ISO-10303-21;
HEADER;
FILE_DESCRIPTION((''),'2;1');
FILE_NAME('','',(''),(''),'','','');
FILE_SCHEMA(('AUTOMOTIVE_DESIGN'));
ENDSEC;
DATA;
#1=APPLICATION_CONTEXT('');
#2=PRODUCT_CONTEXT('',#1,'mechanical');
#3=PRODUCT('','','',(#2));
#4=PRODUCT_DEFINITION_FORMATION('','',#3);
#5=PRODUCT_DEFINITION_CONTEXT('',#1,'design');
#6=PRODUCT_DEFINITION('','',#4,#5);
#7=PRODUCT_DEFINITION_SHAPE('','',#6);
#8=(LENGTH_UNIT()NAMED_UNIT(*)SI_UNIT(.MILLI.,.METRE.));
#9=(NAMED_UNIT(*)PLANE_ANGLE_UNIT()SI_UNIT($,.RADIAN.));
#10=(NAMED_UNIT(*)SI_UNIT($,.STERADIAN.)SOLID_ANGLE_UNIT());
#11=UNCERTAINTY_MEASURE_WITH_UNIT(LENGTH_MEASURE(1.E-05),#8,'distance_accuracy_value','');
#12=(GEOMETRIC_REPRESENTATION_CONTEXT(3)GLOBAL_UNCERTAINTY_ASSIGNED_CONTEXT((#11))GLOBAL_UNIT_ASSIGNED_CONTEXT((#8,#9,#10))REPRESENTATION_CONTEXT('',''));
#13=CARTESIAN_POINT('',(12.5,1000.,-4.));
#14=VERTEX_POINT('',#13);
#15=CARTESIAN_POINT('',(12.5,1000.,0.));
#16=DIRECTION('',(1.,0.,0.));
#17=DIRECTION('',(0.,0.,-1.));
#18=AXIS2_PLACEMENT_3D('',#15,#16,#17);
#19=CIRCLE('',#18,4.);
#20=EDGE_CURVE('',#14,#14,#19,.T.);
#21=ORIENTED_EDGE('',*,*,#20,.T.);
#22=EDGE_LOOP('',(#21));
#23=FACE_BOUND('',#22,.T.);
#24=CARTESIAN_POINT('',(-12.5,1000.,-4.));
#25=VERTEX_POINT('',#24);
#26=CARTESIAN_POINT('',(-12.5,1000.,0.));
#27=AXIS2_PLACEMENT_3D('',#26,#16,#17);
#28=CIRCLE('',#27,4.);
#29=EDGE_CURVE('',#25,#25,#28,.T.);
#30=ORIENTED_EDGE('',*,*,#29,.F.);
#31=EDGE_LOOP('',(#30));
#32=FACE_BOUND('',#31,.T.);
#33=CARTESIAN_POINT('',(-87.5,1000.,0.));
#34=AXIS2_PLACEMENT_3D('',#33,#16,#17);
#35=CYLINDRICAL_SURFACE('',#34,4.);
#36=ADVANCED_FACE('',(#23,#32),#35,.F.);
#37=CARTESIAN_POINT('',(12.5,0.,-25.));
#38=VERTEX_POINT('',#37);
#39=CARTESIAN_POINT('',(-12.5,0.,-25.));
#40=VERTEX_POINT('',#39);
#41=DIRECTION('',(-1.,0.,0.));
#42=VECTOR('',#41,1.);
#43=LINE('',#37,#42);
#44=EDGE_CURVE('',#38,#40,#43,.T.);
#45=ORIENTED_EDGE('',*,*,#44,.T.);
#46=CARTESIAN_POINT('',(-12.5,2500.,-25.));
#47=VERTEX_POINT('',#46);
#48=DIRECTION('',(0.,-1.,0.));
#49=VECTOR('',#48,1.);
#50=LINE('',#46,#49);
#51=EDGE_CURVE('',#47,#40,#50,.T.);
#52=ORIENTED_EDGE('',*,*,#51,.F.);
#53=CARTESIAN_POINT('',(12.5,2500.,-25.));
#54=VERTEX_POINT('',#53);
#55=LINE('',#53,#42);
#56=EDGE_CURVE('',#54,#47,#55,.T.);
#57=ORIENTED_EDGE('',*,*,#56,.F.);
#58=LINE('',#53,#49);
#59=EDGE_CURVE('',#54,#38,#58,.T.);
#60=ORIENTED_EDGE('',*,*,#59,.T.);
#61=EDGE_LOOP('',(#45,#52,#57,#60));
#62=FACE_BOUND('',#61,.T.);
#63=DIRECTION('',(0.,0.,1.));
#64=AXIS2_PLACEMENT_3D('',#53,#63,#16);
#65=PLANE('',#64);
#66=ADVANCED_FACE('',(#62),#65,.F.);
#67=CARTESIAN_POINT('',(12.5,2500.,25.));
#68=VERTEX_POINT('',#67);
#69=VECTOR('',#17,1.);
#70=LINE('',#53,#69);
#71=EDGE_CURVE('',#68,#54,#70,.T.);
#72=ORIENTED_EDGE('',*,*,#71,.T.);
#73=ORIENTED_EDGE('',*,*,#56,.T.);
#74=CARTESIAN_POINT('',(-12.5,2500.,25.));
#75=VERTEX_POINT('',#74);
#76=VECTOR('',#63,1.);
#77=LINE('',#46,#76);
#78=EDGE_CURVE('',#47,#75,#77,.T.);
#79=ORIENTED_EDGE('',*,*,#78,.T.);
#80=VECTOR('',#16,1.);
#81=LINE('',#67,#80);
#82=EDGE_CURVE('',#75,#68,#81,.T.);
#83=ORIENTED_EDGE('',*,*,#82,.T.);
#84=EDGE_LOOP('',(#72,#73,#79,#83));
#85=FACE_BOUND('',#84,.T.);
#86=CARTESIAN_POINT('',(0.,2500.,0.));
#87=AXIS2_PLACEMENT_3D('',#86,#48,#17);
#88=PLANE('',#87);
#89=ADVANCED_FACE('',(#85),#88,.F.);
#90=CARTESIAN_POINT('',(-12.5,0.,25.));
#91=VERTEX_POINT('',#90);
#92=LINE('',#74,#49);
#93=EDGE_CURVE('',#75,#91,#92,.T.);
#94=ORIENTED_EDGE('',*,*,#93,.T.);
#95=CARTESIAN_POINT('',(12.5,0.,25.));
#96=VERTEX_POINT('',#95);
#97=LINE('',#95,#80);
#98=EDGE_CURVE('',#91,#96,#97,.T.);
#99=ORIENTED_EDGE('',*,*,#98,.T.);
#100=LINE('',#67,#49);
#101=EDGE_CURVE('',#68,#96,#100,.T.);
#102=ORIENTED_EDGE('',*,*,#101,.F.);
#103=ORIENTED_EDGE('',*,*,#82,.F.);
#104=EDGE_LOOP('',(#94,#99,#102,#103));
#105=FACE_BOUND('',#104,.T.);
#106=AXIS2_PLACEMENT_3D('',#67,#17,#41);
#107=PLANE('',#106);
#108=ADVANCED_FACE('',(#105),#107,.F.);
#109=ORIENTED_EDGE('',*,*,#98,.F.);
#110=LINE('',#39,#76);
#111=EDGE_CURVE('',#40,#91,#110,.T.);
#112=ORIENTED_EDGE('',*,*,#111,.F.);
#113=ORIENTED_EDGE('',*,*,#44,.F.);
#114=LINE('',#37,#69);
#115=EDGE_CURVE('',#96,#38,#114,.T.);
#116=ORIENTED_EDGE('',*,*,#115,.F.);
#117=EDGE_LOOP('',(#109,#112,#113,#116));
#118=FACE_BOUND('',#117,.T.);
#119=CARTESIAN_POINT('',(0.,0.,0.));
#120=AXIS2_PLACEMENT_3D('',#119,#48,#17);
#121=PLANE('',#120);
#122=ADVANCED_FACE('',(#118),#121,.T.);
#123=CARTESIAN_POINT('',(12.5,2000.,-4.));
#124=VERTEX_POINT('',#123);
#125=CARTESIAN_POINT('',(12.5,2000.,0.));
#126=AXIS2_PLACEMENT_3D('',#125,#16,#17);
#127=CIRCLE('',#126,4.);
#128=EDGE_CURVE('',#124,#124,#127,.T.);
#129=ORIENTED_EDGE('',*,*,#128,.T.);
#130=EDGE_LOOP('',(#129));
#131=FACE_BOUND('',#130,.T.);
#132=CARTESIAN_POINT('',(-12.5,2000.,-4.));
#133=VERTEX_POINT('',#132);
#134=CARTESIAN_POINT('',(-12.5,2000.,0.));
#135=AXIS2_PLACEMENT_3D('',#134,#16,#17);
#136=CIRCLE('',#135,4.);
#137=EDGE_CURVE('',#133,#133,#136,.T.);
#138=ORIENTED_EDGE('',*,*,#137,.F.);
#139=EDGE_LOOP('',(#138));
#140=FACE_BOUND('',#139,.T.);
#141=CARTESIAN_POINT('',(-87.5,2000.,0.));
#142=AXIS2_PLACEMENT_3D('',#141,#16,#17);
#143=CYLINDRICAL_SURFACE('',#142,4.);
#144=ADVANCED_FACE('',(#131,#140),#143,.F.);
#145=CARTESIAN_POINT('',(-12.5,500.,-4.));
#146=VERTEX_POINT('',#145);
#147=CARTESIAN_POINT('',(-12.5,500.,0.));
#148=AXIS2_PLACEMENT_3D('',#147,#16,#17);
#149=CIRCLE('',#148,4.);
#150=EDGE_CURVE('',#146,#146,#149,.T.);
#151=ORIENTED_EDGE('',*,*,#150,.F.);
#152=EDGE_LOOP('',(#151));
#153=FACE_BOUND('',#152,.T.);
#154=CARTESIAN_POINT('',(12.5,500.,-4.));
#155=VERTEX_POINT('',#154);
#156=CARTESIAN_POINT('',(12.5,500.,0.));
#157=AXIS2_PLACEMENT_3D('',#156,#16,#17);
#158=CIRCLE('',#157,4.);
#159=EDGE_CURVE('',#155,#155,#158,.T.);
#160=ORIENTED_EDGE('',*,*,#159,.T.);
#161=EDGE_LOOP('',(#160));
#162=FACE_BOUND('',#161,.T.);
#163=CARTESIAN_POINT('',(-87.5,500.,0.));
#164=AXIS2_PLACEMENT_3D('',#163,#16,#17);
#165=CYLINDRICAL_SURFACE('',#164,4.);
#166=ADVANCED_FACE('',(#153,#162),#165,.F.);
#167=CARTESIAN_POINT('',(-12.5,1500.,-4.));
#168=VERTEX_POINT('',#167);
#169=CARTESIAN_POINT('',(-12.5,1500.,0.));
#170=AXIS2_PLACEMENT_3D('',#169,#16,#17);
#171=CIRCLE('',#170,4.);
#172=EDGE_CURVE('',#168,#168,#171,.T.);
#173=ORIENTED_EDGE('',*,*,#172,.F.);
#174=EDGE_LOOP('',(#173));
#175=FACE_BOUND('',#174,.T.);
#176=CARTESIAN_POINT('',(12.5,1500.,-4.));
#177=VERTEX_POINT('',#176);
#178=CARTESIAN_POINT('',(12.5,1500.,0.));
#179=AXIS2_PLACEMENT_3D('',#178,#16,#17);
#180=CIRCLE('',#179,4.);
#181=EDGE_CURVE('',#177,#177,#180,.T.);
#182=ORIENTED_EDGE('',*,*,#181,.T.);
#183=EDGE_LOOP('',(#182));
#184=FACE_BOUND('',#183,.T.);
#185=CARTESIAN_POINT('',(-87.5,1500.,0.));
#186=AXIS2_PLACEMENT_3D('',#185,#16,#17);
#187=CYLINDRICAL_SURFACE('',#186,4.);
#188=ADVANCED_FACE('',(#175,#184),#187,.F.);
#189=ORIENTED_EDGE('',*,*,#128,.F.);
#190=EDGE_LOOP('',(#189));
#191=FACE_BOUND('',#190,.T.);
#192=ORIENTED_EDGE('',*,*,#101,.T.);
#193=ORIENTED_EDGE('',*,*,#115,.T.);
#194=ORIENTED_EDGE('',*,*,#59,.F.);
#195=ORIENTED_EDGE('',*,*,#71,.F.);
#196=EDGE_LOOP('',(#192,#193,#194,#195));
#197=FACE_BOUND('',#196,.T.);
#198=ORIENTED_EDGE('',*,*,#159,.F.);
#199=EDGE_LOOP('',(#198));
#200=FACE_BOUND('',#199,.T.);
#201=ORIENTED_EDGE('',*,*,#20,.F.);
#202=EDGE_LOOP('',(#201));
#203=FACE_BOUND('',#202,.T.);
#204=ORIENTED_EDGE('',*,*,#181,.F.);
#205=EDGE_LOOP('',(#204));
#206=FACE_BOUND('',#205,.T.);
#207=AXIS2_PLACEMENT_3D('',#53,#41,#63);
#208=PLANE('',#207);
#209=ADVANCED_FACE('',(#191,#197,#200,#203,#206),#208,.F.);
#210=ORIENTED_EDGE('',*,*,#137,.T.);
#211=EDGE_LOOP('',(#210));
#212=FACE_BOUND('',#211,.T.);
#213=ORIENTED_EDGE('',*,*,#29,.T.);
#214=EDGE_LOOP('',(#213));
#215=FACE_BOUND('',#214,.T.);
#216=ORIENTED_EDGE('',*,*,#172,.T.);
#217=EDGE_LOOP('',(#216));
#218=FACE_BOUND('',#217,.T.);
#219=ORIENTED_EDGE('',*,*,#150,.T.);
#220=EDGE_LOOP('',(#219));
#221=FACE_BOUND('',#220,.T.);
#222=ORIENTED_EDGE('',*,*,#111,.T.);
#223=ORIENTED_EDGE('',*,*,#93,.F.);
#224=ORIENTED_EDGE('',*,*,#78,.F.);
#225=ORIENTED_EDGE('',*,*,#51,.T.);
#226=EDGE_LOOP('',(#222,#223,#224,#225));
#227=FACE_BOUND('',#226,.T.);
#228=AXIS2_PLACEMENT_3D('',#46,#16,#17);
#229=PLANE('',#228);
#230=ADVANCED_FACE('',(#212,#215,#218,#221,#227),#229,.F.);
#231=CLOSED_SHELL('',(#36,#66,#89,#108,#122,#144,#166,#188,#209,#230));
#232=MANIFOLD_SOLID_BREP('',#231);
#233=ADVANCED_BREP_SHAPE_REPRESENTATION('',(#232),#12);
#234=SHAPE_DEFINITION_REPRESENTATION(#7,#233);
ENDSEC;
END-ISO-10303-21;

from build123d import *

# Parameters (mm, degrees)
SKETCH_1_W          = 25
SKETCH_1_H          = 50
EXTRUDE_1_DEPTH     = 2500
SKETCH_2_R          = 4
CUT_EXTRUDE_1_DEPTH = 100


with BuildPart() as part:
    # Эскиз1 → Бобышка-Вытянуть1 (new body)
    with BuildSketch(Plane(origin=(0, 0, 0), x_dir=(1, 0, 0), z_dir=(0, 1, 0))):
        Rectangle(SKETCH_1_W, SKETCH_1_H)
    extrude(amount=EXTRUDE_1_DEPTH)

    # Эскиз2 → Вырез-Вытянуть1 (cut)
    with BuildSketch(Plane(origin=(12.5, 0, 0), x_dir=(0, 0, -1), z_dir=(1, 0, 0))):
        with Locations((0, 500)):
            Circle(SKETCH_2_R)
        with Locations((0, 1000)):
            Circle(SKETCH_2_R)
        with Locations((0, 1500)):
            Circle(SKETCH_2_R)
        with Locations((0, 2000)):
            Circle(SKETCH_2_R)
    extrude(amount=-CUT_EXTRUDE_1_DEPTH, mode=Mode.SUBTRACT)


solid = part.part
